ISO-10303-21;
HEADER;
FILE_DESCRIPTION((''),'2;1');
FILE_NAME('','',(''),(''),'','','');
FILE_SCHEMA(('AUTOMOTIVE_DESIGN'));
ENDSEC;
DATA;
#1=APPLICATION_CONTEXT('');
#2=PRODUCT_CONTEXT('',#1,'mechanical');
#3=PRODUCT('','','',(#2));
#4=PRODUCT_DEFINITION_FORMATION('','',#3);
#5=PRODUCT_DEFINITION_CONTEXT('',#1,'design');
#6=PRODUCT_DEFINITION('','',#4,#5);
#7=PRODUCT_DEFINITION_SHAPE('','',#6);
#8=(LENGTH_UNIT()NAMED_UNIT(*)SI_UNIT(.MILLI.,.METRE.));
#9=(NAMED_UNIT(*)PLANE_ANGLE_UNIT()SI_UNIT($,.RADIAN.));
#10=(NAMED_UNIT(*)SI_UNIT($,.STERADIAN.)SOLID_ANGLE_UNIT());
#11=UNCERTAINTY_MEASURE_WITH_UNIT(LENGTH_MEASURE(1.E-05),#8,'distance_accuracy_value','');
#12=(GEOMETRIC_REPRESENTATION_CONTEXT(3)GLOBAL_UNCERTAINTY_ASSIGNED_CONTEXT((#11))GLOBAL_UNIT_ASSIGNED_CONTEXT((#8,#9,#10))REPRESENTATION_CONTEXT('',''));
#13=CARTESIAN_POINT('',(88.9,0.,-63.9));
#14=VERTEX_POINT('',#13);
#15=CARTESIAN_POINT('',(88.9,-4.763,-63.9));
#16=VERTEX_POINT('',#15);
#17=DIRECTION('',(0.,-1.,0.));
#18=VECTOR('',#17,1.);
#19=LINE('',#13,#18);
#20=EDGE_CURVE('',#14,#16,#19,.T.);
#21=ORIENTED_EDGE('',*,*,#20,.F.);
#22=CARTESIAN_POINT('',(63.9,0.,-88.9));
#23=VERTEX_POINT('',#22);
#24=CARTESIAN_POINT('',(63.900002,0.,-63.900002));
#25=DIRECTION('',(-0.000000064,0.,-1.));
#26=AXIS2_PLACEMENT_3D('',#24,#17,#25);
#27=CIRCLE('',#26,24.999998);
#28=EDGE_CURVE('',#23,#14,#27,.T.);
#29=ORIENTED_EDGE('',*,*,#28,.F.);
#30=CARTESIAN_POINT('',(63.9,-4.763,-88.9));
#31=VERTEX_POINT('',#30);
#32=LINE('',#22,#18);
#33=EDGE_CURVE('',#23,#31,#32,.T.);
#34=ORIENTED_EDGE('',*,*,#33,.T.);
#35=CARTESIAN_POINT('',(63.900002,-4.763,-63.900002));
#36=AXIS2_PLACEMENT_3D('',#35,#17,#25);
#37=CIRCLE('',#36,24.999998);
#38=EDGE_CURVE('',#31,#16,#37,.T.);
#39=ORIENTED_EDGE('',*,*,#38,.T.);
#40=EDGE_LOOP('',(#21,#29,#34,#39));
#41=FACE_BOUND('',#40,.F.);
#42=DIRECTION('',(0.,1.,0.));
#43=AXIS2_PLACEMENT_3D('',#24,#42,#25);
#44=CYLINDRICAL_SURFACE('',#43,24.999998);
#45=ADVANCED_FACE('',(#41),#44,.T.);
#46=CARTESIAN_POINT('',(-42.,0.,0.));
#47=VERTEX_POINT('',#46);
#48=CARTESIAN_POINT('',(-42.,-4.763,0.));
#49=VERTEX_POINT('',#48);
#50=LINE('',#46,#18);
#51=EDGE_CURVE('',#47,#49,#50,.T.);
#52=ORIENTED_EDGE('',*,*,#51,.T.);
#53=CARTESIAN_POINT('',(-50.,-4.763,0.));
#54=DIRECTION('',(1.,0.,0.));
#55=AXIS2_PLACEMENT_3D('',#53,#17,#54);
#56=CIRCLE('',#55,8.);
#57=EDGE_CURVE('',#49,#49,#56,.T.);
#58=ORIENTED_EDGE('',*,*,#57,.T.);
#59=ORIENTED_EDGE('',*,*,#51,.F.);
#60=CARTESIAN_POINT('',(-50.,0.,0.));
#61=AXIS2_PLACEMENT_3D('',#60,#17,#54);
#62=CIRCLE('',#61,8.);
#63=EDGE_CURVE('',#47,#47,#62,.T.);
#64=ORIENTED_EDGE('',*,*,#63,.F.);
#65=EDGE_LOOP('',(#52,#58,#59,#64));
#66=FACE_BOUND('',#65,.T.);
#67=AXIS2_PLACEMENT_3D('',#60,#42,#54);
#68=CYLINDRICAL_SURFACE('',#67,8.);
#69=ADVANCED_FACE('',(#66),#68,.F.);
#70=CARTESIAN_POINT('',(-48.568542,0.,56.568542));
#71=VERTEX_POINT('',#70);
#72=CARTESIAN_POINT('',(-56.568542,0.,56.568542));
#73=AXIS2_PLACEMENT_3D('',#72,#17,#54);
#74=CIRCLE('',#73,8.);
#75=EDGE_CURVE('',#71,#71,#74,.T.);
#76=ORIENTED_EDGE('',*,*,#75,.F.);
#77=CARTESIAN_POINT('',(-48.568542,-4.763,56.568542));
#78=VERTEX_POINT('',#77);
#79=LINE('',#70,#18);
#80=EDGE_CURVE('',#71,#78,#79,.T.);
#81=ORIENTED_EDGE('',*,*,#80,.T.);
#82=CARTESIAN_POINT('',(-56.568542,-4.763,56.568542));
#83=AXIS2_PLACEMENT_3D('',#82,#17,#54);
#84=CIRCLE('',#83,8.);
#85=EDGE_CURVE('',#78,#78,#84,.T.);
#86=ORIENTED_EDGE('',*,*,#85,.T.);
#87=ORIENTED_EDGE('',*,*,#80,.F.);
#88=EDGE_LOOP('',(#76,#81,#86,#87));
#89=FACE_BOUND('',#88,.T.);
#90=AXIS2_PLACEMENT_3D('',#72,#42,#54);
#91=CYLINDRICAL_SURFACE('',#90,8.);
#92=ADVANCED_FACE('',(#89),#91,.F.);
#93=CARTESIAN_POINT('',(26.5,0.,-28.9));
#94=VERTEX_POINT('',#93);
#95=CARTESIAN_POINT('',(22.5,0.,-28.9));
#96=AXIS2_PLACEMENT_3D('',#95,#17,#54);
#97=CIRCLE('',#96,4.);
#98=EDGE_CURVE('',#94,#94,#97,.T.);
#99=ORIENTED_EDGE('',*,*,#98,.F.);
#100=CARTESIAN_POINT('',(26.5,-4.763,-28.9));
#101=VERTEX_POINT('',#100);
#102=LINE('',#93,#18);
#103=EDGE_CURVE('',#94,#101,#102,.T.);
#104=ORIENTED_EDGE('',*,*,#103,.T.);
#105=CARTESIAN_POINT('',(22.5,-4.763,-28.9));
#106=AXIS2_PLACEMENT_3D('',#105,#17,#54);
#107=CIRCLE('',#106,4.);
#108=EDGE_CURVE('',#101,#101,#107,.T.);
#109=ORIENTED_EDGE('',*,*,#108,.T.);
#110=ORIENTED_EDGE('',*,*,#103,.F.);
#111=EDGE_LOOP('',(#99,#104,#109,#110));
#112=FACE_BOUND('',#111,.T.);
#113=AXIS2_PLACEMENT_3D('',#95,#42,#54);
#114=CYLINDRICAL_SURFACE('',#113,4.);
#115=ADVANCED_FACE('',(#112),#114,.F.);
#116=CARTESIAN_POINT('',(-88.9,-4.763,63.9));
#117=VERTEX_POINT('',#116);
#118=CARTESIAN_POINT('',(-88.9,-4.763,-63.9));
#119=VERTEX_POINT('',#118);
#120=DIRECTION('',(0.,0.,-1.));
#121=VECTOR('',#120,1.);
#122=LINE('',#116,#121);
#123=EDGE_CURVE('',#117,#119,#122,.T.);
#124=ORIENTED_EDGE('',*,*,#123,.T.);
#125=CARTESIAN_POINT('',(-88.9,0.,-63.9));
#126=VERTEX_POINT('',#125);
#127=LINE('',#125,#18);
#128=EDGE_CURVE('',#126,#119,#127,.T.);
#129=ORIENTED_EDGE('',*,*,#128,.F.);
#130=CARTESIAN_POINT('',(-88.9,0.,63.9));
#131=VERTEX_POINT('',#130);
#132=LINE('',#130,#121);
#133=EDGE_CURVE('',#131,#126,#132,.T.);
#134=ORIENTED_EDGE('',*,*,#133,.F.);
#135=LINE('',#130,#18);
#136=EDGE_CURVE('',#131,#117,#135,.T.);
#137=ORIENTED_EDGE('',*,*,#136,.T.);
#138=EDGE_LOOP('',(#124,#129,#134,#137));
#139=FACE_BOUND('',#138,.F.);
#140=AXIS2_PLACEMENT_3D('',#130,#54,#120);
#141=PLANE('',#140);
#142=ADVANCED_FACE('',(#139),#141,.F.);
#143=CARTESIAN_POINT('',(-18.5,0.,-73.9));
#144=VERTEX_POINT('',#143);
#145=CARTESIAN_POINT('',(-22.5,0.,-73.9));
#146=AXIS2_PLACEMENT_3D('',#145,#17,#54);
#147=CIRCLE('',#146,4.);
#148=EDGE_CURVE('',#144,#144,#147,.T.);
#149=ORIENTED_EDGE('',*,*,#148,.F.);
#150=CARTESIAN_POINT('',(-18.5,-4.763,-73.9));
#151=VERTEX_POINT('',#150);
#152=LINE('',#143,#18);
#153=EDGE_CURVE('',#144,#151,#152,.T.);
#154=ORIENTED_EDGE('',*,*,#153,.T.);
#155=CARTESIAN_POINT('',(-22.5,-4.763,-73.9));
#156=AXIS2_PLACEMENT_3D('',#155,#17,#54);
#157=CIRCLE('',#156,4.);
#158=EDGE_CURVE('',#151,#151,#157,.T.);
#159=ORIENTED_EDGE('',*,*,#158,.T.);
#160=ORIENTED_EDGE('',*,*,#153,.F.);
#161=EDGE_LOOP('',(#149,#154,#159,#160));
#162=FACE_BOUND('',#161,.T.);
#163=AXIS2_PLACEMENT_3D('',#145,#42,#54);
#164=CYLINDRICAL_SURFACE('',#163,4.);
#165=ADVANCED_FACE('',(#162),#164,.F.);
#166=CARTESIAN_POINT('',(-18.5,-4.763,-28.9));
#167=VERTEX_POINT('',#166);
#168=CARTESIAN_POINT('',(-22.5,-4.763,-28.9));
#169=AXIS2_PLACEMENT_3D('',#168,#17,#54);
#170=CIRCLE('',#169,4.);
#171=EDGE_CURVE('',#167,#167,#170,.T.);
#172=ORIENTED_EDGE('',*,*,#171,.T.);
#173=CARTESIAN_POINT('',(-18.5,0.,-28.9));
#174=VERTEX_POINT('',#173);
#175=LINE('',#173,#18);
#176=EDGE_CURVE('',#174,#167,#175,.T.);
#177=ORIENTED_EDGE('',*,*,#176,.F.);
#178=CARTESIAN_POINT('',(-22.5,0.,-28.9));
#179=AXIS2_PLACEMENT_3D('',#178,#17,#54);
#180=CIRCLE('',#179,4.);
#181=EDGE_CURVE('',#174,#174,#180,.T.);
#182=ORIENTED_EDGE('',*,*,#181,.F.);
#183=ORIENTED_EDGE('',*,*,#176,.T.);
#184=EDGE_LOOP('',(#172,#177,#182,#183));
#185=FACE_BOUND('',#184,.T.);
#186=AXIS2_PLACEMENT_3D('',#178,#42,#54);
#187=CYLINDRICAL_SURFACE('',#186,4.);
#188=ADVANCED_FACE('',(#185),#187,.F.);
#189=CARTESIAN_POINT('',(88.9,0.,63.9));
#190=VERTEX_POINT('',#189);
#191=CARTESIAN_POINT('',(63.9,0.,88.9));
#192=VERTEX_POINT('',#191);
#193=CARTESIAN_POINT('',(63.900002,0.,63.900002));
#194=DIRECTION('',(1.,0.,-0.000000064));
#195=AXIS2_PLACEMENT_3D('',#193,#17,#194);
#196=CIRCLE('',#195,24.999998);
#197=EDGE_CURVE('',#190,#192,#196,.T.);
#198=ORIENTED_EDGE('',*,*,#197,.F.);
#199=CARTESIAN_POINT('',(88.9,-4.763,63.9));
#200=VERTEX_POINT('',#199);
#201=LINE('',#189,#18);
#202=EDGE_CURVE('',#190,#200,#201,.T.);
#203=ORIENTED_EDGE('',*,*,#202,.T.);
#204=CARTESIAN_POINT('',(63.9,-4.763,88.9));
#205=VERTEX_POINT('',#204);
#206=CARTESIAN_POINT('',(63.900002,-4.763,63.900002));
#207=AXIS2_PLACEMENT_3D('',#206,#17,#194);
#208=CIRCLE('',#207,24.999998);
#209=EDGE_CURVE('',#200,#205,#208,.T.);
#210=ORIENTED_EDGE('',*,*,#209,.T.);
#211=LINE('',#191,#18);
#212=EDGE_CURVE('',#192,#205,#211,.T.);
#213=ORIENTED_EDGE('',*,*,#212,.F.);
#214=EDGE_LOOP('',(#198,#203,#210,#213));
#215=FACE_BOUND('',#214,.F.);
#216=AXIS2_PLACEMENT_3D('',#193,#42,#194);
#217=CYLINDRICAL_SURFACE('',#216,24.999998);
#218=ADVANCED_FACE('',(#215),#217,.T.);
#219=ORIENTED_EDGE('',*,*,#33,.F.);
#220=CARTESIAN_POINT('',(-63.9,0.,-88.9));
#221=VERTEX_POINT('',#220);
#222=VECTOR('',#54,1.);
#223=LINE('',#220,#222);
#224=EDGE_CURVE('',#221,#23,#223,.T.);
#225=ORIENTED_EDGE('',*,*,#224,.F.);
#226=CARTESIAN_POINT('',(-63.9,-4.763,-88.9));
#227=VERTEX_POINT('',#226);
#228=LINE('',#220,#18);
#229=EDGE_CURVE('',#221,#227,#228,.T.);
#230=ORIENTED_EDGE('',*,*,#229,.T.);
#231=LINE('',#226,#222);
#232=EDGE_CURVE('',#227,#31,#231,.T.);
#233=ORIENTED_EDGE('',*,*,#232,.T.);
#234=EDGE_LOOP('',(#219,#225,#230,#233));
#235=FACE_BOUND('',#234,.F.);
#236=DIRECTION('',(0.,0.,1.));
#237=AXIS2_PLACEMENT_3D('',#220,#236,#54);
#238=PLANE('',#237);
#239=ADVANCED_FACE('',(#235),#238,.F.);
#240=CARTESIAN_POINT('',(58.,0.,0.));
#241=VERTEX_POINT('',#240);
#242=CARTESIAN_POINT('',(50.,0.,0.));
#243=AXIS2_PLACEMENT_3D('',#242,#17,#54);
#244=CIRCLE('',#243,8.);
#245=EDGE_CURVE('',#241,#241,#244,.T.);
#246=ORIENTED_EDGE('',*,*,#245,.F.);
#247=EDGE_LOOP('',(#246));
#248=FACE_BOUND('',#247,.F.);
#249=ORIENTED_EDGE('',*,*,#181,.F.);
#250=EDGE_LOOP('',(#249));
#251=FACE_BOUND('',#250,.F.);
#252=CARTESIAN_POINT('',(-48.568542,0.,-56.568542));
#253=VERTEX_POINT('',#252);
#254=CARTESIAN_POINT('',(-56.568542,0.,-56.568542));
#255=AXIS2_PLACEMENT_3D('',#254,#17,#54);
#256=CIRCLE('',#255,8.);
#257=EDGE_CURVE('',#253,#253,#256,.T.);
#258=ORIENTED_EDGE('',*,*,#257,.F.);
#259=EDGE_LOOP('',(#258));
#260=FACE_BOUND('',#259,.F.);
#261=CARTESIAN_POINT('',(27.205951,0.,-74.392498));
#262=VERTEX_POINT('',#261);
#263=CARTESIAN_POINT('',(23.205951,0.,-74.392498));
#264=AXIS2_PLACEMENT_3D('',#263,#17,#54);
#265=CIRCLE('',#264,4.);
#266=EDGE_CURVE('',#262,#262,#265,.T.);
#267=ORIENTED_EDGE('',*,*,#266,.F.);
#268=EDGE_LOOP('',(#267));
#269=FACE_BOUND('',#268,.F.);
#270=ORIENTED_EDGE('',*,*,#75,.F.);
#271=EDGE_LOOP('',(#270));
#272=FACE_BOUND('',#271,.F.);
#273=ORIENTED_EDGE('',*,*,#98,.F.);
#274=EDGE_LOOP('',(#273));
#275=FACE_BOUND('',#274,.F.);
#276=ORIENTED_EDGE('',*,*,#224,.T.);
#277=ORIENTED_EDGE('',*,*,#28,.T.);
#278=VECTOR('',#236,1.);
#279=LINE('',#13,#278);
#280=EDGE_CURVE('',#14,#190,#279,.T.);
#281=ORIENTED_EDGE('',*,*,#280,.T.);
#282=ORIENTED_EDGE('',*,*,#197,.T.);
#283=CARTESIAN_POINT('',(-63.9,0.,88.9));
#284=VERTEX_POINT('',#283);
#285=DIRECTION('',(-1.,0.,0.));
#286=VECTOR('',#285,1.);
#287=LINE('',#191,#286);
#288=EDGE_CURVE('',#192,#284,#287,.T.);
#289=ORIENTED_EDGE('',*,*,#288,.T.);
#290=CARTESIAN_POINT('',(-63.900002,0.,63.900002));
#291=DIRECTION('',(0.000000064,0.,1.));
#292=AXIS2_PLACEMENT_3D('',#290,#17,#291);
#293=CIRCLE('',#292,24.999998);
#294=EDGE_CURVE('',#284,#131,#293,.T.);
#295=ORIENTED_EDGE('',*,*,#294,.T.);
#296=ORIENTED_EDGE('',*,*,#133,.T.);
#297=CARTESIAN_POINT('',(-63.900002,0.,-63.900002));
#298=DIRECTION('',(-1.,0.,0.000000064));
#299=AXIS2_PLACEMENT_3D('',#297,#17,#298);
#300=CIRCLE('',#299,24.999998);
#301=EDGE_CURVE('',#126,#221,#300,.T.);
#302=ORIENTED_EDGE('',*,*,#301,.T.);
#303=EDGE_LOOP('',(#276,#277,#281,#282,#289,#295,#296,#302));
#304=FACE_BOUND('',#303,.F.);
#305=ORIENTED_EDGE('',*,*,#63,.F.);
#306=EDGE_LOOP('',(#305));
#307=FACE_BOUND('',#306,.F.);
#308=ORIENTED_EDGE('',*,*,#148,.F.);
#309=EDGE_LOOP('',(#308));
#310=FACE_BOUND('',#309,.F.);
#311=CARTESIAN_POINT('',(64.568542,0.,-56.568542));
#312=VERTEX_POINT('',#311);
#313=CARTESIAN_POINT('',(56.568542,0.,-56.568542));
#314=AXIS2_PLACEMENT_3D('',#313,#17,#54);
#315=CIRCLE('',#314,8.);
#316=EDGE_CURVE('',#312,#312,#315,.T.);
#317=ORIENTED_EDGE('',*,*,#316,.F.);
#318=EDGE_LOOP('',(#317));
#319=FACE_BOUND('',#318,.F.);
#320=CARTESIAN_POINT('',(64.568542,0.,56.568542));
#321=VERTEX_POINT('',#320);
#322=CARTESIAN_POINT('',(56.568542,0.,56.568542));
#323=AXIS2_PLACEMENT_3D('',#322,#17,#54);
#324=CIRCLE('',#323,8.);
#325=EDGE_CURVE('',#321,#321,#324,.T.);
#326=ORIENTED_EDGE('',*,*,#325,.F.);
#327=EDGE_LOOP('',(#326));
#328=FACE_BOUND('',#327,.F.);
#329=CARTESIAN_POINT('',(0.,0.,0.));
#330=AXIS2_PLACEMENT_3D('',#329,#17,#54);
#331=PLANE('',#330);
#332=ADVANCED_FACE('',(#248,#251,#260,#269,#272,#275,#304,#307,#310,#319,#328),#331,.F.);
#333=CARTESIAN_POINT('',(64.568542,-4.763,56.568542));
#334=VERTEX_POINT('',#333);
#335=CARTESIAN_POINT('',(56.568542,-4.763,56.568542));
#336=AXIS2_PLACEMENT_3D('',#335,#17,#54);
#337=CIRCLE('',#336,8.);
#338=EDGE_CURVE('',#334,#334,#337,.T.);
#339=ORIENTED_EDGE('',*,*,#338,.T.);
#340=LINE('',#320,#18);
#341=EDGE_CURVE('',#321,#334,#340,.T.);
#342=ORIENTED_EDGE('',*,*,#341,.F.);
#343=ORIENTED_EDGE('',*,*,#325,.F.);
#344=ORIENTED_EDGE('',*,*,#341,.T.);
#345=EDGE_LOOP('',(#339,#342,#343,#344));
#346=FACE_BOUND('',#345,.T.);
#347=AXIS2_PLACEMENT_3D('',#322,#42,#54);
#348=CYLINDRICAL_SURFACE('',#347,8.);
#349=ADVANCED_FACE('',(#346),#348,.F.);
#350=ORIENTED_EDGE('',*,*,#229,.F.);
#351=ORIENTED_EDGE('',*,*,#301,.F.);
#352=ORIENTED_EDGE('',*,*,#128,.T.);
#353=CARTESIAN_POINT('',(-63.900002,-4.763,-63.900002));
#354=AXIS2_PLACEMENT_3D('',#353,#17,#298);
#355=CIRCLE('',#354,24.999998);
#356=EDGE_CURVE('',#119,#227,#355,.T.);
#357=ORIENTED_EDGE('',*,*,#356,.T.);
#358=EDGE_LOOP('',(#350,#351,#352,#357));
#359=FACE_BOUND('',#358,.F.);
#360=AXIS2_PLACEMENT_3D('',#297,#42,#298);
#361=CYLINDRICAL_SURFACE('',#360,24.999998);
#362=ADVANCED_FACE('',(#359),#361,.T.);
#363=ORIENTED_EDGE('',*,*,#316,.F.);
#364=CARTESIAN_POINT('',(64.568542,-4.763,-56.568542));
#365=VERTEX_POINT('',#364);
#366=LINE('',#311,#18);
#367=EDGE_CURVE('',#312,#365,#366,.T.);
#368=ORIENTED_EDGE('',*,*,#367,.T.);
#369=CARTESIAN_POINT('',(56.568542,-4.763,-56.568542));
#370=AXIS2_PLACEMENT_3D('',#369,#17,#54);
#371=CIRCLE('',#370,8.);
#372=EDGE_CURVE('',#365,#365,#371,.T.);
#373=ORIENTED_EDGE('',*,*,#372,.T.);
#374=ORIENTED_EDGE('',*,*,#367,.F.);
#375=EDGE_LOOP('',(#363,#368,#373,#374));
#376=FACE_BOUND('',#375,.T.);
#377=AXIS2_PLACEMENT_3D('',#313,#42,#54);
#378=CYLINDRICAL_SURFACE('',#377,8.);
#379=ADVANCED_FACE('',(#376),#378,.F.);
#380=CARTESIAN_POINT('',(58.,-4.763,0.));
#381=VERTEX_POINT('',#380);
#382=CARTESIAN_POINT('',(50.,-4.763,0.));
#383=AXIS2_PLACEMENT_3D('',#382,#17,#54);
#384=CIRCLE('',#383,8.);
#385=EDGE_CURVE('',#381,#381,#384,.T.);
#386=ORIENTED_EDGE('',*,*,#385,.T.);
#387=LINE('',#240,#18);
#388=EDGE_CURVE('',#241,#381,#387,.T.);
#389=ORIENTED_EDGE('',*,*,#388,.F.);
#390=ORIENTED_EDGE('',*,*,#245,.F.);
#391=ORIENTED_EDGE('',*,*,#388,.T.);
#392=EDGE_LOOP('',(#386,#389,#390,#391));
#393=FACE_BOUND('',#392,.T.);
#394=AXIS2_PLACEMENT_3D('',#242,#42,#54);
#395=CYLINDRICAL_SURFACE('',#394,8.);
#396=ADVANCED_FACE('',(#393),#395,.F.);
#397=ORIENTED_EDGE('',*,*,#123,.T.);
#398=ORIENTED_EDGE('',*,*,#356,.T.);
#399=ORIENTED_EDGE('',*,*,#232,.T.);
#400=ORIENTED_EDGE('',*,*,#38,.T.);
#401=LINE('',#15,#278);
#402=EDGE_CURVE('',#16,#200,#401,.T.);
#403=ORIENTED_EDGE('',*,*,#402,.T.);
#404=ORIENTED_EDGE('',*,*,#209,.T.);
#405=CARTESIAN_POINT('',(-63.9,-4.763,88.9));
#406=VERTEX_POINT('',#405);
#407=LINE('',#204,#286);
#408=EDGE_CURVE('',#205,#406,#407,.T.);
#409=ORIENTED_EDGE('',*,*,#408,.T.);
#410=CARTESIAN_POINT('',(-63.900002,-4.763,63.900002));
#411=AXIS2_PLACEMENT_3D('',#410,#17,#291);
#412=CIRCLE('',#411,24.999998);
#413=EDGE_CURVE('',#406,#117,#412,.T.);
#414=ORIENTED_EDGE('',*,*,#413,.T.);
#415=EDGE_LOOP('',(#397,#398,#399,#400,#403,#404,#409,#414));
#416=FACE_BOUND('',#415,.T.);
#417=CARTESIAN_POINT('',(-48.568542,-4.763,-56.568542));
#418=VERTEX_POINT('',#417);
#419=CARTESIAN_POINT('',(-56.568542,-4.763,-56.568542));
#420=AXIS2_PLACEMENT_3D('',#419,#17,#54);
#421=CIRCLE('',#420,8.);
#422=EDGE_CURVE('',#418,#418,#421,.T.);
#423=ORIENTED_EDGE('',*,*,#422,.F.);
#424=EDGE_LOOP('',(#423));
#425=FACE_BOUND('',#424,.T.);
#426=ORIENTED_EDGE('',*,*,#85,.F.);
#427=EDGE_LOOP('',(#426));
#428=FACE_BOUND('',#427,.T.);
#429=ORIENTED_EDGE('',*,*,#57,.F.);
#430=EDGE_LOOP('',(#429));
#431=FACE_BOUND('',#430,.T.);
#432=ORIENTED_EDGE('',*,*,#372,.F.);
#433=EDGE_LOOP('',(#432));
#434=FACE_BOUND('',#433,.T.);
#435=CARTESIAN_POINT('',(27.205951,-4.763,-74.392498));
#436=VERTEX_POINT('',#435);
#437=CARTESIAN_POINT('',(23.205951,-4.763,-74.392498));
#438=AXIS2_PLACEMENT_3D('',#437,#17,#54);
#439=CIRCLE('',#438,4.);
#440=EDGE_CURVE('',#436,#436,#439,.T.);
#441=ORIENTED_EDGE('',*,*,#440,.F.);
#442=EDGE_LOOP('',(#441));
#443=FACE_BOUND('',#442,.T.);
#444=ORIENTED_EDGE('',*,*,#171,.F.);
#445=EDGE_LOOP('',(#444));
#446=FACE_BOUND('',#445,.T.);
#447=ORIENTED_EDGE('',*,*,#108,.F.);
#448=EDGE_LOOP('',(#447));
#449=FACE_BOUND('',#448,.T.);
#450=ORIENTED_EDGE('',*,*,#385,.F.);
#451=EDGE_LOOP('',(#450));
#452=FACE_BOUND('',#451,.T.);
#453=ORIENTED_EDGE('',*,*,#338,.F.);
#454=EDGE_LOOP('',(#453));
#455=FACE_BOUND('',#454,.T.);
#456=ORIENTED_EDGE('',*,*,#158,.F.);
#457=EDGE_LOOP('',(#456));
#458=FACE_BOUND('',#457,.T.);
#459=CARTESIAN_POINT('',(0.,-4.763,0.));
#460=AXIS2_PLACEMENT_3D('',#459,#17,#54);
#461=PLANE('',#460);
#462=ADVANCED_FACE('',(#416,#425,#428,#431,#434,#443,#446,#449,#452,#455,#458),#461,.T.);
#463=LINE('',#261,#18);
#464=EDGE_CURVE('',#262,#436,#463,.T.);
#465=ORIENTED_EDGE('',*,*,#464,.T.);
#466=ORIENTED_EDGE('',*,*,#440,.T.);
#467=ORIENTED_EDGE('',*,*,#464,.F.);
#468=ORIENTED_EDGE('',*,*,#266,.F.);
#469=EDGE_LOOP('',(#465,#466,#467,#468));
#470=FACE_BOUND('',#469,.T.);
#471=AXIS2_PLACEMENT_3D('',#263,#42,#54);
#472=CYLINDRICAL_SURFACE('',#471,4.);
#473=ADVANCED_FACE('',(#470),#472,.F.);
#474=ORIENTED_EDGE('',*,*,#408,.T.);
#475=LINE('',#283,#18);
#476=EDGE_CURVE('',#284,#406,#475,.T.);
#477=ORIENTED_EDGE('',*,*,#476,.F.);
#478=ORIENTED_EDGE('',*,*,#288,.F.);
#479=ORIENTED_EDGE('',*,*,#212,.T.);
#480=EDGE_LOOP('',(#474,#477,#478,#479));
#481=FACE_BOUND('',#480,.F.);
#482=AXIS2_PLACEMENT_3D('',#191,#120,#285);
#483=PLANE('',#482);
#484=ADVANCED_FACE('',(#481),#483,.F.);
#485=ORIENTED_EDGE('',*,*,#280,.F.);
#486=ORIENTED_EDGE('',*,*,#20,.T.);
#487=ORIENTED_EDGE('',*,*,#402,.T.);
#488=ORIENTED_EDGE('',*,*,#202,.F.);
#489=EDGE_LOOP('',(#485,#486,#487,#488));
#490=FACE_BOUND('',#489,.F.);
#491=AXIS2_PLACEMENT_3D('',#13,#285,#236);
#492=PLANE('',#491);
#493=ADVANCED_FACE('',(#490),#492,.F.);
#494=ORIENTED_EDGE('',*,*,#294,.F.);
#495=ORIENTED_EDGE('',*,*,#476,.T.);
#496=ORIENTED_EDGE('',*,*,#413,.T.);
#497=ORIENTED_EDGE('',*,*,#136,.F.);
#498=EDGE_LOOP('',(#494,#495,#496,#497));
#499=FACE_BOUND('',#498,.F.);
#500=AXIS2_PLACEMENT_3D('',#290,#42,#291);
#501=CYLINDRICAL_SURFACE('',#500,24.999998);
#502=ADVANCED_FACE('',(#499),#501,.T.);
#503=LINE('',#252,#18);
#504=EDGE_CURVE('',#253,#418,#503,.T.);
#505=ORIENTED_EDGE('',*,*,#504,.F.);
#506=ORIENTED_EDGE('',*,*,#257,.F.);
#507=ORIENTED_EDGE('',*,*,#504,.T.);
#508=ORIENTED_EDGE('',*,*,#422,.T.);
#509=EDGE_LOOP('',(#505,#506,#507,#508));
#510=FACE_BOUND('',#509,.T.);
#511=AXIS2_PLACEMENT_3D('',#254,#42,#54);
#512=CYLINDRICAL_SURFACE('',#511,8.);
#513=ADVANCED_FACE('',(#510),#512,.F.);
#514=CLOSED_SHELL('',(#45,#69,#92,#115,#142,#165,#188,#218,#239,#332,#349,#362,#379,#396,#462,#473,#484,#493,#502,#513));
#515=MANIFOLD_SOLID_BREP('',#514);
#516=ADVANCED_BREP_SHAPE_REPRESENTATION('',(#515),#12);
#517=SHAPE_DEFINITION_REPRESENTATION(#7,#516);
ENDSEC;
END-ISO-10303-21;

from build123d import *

# Parameters (mm, degrees)
F0_R     = 8
F0_R_2   = 4
F1_DEPTH = 4.763


with BuildPart() as f1:
    # F0 (on Front) → F1 (new body)
    with BuildSketch(Plane.XZ):
        with BuildLine():
            Line((-63.9, -88.9), (63.9, -88.9))
            ThreePointArc((63.9, -88.9), (81.57767, -81.57767), (88.9, -63.9))
            Line((88.9, -63.9), (88.9, 63.9))
            ThreePointArc((88.9, 63.9), (81.57767, 81.57767), (63.9, 88.9))
            Line((63.9, 88.9), (-63.9, 88.9))
            ThreePointArc((-63.9, 88.9), (-81.57767, 81.57767), (-88.9, 63.9))
            Line((-88.9, 63.9), (-88.9, -63.9))
            ThreePointArc((-88.9, -63.9), (-81.57767, -81.57767), (-63.9, -88.9))
        make_face()
        with Locations((-56.568542, -56.568542)):
            Circle(F0_R, mode=Mode.SUBTRACT)
        with Locations((-22.5, -73.9)):
            Circle(F0_R_2, mode=Mode.SUBTRACT)
        with Locations((-22.5, -28.9)):
            Circle(F0_R_2, mode=Mode.SUBTRACT)
        with Locations((23.205951, -74.392498)):
            Circle(F0_R_2, mode=Mode.SUBTRACT)
        with Locations((56.568542, -56.568542)):
            Circle(F0_R, mode=Mode.SUBTRACT)
        with Locations((22.5, -28.9)):
            Circle(F0_R_2, mode=Mode.SUBTRACT)
        with Locations((-50, 0)):
            Circle(F0_R, mode=Mode.SUBTRACT)
        with Locations((-56.568542, 56.568542)):
            Circle(F0_R, mode=Mode.SUBTRACT)
        with Locations((50, 0)):
            Circle(F0_R, mode=Mode.SUBTRACT)
        with Locations((56.568542, 56.568542)):
            Circle(F0_R, mode=Mode.SUBTRACT)
    extrude(amount=F1_DEPTH)


solid = f1.part
